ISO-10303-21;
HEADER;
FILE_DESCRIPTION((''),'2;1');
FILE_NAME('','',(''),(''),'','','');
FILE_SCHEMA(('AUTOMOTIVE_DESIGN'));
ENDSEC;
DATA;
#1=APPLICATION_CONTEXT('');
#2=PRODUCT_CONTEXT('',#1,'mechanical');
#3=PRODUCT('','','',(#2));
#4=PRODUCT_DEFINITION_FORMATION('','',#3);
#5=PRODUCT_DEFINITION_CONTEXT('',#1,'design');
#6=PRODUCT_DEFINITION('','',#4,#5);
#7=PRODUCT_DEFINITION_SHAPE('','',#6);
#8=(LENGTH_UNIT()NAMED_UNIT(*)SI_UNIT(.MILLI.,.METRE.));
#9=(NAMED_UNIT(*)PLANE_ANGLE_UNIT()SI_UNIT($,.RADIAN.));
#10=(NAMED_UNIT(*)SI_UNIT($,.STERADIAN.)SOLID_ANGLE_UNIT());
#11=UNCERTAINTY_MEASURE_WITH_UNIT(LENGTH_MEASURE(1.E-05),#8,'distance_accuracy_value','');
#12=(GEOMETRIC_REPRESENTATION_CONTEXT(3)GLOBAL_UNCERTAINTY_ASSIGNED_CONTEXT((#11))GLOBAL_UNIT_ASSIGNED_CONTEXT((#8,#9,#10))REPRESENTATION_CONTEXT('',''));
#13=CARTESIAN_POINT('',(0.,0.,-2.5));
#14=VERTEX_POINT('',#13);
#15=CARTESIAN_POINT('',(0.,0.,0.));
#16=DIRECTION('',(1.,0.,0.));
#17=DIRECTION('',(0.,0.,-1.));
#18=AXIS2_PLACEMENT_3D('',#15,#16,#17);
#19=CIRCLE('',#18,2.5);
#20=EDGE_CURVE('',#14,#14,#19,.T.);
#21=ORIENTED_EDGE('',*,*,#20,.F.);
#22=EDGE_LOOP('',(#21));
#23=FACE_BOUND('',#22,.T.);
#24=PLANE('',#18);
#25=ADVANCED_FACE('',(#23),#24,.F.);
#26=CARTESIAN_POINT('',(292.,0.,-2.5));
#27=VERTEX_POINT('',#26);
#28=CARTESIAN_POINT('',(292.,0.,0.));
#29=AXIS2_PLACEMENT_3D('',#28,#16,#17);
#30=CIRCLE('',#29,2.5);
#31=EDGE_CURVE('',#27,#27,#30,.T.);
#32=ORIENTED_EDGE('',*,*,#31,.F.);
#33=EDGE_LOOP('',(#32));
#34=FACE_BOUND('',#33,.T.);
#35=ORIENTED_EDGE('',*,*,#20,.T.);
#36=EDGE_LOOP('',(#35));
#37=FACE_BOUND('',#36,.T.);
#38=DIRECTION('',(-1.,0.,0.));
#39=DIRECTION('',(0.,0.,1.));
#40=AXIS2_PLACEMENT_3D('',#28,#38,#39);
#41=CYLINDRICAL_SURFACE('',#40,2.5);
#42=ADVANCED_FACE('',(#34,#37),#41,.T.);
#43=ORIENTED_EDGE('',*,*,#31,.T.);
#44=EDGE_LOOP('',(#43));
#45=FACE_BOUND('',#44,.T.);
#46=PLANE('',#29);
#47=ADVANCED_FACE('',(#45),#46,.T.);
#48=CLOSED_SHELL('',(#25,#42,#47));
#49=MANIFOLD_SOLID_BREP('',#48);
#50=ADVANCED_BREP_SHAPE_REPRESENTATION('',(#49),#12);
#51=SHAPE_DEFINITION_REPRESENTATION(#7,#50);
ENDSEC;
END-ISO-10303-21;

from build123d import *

# Parameters (mm, degrees)
ESQUISSE1_R        = 2.5
BOSS_EXTRU_1_DEPTH = 292


with BuildPart() as part:
    # Esquisse1 → Boss.-Extru.1 (new body)
    with BuildSketch(Plane(origin=(0, 0, 0), x_dir=(0, 0, -1), z_dir=(1, 0, 0))):
        Circle(ESQUISSE1_R)
    extrude(amount=BOSS_EXTRU_1_DEPTH)


solid = part.part
